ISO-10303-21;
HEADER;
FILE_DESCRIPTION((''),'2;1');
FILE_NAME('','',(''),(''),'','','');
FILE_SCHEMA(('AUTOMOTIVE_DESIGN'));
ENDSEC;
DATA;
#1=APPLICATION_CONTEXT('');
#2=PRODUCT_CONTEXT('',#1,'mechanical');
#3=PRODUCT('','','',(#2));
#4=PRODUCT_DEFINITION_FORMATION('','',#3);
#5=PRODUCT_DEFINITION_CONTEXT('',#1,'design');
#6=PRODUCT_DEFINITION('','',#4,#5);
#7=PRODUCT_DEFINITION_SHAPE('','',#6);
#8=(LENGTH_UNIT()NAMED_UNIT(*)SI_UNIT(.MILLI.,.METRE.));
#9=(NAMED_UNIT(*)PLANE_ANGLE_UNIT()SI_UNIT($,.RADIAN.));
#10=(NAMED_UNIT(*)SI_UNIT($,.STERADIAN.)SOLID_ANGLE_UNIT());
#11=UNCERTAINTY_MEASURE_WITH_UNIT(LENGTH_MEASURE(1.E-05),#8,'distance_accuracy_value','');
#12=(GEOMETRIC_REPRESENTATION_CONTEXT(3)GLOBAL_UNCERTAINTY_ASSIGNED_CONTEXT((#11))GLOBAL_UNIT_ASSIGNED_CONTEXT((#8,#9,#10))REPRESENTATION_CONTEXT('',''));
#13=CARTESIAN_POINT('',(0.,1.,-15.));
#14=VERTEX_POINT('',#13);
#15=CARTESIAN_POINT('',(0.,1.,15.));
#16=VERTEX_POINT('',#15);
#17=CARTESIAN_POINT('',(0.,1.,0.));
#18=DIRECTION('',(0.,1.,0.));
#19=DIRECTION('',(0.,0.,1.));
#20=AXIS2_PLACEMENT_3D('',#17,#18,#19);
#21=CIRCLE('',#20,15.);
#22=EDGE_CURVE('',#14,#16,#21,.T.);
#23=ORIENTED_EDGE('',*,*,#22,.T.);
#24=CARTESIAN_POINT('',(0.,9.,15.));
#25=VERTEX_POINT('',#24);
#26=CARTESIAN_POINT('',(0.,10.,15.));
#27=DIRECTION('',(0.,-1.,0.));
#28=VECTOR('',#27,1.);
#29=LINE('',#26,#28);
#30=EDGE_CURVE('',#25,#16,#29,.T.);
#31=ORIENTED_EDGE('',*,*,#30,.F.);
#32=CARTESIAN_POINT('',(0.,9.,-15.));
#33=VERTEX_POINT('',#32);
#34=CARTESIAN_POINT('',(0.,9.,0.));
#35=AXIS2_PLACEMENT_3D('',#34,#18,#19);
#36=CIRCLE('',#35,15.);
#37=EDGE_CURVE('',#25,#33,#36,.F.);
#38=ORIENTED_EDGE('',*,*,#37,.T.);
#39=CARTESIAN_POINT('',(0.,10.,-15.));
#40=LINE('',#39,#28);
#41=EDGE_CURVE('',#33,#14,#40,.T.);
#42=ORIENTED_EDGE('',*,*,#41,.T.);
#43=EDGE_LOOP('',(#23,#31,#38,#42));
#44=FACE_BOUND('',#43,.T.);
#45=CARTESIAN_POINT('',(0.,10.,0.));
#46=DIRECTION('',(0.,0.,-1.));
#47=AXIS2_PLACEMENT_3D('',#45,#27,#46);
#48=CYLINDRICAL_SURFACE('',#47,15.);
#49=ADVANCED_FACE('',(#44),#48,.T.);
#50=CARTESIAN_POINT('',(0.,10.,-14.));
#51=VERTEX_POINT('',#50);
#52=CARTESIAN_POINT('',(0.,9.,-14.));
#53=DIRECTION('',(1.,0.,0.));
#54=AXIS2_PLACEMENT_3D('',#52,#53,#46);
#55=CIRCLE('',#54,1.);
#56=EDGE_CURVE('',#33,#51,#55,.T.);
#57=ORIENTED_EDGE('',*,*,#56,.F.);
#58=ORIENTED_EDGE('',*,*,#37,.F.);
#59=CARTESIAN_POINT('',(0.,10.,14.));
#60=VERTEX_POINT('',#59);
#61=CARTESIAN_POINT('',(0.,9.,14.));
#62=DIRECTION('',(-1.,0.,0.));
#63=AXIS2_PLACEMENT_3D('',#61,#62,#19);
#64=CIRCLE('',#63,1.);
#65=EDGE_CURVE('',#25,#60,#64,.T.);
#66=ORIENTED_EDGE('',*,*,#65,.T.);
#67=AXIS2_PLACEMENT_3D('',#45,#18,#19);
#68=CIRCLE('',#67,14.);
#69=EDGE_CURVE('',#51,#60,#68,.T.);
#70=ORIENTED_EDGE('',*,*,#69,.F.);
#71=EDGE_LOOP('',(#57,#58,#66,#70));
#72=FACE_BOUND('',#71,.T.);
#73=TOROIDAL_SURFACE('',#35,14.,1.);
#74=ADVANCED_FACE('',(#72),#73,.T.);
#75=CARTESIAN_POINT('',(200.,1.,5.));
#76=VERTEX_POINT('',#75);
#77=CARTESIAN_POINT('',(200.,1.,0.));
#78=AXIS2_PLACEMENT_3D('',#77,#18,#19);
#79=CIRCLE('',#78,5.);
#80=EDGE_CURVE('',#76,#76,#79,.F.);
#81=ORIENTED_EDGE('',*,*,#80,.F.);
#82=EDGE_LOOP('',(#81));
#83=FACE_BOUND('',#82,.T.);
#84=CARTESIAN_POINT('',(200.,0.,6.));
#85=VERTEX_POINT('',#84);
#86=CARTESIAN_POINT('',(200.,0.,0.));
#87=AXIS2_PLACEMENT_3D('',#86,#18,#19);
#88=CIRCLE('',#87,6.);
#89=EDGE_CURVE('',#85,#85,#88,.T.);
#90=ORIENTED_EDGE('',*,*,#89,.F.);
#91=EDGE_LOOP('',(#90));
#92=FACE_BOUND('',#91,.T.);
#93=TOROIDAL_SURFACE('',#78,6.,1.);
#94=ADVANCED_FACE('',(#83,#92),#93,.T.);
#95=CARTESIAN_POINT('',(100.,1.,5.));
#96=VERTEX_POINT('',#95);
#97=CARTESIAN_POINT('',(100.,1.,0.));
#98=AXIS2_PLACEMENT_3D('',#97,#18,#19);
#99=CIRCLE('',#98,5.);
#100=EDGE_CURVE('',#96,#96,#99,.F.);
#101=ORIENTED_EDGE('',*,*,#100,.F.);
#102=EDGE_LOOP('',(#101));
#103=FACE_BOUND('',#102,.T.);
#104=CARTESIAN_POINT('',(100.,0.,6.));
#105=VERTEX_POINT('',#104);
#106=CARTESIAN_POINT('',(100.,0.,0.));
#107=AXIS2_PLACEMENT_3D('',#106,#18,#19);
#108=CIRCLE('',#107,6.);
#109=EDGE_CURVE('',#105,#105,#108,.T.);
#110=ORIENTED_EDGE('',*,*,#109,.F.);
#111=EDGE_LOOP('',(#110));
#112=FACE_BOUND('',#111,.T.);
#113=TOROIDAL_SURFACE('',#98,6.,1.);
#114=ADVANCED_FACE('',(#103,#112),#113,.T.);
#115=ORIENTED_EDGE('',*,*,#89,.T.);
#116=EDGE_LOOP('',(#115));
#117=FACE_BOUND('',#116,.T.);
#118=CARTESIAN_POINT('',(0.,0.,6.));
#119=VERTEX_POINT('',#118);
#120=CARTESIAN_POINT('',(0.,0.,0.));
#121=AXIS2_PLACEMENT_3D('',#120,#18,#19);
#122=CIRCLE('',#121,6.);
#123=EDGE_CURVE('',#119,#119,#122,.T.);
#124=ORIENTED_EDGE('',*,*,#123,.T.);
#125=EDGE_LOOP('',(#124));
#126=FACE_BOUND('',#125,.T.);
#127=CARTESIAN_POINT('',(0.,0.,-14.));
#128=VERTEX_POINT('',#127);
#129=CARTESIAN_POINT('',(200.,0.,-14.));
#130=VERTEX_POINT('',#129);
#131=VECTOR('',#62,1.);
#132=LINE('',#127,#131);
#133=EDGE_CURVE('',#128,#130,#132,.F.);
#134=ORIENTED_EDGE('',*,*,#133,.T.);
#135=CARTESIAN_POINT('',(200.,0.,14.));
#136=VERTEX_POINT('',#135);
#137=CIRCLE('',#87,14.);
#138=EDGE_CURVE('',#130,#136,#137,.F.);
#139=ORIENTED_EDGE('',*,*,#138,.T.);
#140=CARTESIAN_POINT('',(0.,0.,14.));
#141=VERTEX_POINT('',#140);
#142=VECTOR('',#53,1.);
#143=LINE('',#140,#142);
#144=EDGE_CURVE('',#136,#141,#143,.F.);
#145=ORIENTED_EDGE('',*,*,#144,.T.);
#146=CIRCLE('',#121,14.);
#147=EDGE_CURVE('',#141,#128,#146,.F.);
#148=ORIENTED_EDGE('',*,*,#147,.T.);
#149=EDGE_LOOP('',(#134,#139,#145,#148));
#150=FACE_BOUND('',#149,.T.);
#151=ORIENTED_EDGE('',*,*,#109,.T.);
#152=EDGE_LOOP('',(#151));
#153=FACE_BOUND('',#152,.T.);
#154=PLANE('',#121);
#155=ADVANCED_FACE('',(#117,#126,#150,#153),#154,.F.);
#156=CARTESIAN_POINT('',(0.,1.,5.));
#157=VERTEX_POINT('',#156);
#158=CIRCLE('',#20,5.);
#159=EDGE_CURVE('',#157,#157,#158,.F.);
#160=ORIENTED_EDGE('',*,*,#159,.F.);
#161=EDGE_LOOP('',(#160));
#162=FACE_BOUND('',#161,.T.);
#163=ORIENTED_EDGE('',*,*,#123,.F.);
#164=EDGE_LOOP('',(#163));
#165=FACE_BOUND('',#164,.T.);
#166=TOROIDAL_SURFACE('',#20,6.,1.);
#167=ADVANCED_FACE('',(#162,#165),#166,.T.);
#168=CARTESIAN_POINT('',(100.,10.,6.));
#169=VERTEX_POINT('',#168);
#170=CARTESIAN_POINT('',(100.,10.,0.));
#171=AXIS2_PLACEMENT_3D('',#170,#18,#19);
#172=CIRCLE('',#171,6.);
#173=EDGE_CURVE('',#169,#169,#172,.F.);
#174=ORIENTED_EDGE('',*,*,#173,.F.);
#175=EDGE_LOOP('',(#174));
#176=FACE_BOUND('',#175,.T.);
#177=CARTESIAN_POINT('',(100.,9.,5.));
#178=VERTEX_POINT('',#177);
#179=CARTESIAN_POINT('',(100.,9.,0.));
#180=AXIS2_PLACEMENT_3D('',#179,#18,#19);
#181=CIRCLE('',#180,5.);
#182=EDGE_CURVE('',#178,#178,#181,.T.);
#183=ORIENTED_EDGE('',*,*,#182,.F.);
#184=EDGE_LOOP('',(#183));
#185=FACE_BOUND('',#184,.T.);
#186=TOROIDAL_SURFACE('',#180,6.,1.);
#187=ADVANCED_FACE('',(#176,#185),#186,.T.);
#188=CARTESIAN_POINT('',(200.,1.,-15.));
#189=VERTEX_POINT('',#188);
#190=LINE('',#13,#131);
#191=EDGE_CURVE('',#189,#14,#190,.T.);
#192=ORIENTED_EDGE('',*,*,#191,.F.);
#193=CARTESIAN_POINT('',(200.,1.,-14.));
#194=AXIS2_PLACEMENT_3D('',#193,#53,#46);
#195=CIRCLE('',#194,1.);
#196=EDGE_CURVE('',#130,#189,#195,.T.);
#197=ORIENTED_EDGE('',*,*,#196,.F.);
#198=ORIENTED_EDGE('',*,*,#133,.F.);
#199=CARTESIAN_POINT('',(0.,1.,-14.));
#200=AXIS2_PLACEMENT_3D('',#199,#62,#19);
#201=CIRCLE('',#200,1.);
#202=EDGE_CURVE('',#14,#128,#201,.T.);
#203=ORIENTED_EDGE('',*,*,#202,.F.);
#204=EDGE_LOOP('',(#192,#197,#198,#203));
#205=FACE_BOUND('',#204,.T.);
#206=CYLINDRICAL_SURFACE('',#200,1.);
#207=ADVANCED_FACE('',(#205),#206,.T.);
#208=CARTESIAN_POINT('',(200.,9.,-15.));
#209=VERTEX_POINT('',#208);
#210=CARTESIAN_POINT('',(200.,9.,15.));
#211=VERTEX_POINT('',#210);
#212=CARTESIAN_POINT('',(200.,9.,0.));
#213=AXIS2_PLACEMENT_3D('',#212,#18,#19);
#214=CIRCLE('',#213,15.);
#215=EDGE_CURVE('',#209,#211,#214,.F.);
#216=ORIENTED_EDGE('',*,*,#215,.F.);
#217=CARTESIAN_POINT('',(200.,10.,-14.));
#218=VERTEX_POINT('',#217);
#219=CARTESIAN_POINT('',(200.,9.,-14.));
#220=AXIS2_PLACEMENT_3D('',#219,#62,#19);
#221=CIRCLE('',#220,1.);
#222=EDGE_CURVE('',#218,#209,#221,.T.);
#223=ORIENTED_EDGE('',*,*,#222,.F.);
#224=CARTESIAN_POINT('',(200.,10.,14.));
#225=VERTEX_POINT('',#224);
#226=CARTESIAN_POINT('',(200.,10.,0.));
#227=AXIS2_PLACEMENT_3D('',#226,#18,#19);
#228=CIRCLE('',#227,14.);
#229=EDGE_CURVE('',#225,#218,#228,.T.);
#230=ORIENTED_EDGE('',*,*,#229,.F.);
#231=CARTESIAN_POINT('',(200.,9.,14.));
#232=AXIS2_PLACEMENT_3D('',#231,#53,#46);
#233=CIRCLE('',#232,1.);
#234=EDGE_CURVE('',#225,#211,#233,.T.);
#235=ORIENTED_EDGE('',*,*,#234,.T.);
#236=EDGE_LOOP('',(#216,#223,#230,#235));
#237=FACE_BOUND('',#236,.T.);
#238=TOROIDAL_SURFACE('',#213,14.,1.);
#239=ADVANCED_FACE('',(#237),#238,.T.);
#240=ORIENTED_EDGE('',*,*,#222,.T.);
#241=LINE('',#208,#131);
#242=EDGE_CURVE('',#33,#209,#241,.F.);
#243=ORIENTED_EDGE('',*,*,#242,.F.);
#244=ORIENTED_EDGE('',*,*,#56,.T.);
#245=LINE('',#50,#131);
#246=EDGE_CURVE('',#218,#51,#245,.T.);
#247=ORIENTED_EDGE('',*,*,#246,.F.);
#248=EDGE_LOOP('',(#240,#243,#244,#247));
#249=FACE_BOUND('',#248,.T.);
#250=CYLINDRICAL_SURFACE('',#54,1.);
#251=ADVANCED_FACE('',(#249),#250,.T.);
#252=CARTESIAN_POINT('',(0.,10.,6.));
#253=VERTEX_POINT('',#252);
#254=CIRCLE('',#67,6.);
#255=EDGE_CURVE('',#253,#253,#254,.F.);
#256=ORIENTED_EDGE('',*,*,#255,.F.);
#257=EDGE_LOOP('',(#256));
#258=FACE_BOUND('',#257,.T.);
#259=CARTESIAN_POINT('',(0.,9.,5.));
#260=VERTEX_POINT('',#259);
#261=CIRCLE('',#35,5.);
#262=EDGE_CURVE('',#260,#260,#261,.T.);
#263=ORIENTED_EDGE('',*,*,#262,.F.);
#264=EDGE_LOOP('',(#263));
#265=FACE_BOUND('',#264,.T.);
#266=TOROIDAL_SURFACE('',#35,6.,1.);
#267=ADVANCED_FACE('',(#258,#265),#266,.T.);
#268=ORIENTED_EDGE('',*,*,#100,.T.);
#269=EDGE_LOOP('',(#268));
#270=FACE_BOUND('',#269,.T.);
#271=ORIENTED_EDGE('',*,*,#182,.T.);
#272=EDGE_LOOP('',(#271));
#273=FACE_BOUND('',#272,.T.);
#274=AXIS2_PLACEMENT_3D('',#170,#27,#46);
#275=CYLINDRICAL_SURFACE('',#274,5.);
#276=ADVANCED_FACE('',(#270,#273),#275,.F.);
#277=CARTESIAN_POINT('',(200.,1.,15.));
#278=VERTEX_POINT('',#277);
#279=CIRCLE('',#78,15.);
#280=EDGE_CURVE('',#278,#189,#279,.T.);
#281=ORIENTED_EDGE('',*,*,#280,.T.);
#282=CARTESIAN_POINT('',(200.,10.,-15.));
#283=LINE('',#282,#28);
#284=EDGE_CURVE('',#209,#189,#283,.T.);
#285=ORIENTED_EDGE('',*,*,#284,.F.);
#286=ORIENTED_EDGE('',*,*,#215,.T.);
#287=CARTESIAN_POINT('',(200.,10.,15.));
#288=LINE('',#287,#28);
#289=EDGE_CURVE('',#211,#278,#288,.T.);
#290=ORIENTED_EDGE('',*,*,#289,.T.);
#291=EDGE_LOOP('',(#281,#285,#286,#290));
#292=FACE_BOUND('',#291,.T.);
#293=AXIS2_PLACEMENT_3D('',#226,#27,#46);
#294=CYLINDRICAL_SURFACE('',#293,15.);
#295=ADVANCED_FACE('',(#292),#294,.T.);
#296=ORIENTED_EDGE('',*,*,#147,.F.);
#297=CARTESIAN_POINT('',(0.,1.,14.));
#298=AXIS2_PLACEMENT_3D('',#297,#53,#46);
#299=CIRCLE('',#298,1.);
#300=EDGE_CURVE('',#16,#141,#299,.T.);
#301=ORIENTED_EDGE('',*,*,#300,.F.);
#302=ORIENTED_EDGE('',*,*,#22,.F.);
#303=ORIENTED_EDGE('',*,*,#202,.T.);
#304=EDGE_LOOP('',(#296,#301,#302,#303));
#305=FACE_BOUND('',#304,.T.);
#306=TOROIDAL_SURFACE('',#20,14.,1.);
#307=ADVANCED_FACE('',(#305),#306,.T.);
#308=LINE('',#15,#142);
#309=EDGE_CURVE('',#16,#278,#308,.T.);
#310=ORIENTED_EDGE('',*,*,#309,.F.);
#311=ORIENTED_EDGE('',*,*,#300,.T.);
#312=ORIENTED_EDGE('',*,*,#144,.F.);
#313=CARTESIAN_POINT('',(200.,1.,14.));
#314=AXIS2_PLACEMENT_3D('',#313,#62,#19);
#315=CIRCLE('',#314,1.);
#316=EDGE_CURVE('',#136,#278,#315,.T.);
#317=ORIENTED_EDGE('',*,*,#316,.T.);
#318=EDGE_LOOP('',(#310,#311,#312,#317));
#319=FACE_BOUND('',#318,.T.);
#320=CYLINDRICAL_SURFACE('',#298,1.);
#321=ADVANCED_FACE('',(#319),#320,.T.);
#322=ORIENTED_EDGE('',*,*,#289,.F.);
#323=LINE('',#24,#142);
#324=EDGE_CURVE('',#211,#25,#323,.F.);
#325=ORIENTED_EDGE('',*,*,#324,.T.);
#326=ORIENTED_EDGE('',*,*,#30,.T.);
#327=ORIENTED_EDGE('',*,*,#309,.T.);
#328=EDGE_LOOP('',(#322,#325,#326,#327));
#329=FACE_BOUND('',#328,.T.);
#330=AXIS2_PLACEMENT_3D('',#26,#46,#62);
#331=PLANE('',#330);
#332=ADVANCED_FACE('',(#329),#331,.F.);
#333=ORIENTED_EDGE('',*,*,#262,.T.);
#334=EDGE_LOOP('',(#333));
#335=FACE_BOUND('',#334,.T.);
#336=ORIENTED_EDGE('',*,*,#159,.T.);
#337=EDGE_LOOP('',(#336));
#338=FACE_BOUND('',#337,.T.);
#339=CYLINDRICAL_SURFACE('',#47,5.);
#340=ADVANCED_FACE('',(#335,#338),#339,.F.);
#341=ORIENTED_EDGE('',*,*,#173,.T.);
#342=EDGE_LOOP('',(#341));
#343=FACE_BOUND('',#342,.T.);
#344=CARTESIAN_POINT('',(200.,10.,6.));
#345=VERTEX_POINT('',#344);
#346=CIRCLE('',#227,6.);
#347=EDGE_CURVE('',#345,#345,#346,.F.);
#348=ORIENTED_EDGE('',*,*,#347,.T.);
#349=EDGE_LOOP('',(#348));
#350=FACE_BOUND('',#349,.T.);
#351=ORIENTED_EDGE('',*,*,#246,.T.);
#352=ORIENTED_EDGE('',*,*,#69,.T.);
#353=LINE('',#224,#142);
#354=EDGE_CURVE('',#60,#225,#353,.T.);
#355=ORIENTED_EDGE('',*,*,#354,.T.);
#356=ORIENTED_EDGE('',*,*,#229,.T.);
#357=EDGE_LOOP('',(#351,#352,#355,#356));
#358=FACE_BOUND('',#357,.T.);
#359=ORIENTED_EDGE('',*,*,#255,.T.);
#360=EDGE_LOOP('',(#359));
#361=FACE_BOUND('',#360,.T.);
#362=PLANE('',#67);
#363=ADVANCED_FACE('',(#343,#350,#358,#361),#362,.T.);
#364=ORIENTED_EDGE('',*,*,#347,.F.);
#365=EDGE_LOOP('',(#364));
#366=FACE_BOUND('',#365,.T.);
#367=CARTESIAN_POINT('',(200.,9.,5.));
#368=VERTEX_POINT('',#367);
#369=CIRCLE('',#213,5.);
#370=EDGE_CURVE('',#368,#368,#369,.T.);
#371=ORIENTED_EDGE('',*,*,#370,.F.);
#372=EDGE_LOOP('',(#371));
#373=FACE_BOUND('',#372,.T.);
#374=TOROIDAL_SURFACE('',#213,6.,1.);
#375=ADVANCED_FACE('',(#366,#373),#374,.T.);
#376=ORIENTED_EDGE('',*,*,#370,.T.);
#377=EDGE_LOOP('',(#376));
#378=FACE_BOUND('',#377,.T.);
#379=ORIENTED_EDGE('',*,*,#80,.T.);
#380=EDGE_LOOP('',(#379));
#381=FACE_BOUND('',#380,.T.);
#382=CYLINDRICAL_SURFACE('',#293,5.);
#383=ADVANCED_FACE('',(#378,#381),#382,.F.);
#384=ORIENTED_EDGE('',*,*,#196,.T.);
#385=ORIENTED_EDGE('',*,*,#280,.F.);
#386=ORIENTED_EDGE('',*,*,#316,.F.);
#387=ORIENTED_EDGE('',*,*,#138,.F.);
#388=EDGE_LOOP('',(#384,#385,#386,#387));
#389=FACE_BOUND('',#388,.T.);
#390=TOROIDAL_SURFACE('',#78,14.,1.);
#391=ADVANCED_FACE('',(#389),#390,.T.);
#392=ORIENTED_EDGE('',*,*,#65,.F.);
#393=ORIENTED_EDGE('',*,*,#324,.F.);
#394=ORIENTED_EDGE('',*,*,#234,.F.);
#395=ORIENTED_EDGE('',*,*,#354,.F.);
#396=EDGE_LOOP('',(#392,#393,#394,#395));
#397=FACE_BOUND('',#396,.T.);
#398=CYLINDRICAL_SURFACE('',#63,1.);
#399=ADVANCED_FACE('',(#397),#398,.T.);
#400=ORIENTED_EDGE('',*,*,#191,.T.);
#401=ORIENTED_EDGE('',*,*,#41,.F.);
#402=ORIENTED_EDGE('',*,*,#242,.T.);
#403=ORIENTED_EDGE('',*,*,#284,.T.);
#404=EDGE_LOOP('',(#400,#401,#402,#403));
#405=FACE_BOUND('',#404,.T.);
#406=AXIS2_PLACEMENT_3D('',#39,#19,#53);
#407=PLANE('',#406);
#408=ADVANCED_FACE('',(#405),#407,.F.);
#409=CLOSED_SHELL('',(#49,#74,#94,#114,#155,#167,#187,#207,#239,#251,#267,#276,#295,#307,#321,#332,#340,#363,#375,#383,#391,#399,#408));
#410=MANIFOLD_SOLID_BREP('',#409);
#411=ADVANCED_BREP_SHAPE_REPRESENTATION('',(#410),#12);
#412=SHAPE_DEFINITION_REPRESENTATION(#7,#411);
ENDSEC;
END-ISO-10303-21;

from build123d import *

# Parameters (mm, degrees)
SKETCH_1_R      = 5
EXTRUDE_1_DEPTH = 10
FILLET_1_R      = 1
FILLET_2_R      = 1


with BuildPart() as part:
    # 草图1 → 凸台-拉伸1 (new body)
    with BuildSketch(Plane(origin=(0, 0, 0), x_dir=(1, 0, 0), z_dir=(0, 1, 0))):
        with BuildLine():
            Line((0, 15), (200, 15))
            ThreePointArc((200, 15), (215, 0), (200, -15))
            Line((200, -15), (0, -15))
            ThreePointArc((0, -15), (-15, 0), (0, 15))
        make_face()
        with Locations(Location((200, 0, 0), (0, 0, 270))):
            Circle(SKETCH_1_R, mode=Mode.SUBTRACT)
        with Locations(Location((100, 0, 0), (0, 0, 270))):
            Circle(SKETCH_1_R, mode=Mode.SUBTRACT)
        with Locations(Location((0, 0, 0), (0, 0, 270))):
            Circle(SKETCH_1_R, mode=Mode.SUBTRACT)
    extrude(amount=EXTRUDE_1_DEPTH)

    # 圆角1
    fillet_1_edges = [part.edges().sort_by_distance(p)[0] for p in [
        (200, 0, -5),
        (215, 10, 0),
        (100, 0, -5),
        (100, 10, -15),
        (0, 0, -5),
        (-15, 10, 0),
        (100, 0, -15),
        (215, 0, 0),
        (100, 0, 15),
        (-15, 0, 0),
        (100, 10, 15),
    ]]
    fillet(fillet_1_edges, radius=FILLET_1_R)

    # 圆角2
    fillet_2_edges = [part.edges().sort_by_distance(p)[0] for p in [
        (200, 10, -5),
        (100, 10, -5),
        (0, 10, -5),
    ]]
    fillet(fillet_2_edges, radius=FILLET_2_R)


solid = part.part
